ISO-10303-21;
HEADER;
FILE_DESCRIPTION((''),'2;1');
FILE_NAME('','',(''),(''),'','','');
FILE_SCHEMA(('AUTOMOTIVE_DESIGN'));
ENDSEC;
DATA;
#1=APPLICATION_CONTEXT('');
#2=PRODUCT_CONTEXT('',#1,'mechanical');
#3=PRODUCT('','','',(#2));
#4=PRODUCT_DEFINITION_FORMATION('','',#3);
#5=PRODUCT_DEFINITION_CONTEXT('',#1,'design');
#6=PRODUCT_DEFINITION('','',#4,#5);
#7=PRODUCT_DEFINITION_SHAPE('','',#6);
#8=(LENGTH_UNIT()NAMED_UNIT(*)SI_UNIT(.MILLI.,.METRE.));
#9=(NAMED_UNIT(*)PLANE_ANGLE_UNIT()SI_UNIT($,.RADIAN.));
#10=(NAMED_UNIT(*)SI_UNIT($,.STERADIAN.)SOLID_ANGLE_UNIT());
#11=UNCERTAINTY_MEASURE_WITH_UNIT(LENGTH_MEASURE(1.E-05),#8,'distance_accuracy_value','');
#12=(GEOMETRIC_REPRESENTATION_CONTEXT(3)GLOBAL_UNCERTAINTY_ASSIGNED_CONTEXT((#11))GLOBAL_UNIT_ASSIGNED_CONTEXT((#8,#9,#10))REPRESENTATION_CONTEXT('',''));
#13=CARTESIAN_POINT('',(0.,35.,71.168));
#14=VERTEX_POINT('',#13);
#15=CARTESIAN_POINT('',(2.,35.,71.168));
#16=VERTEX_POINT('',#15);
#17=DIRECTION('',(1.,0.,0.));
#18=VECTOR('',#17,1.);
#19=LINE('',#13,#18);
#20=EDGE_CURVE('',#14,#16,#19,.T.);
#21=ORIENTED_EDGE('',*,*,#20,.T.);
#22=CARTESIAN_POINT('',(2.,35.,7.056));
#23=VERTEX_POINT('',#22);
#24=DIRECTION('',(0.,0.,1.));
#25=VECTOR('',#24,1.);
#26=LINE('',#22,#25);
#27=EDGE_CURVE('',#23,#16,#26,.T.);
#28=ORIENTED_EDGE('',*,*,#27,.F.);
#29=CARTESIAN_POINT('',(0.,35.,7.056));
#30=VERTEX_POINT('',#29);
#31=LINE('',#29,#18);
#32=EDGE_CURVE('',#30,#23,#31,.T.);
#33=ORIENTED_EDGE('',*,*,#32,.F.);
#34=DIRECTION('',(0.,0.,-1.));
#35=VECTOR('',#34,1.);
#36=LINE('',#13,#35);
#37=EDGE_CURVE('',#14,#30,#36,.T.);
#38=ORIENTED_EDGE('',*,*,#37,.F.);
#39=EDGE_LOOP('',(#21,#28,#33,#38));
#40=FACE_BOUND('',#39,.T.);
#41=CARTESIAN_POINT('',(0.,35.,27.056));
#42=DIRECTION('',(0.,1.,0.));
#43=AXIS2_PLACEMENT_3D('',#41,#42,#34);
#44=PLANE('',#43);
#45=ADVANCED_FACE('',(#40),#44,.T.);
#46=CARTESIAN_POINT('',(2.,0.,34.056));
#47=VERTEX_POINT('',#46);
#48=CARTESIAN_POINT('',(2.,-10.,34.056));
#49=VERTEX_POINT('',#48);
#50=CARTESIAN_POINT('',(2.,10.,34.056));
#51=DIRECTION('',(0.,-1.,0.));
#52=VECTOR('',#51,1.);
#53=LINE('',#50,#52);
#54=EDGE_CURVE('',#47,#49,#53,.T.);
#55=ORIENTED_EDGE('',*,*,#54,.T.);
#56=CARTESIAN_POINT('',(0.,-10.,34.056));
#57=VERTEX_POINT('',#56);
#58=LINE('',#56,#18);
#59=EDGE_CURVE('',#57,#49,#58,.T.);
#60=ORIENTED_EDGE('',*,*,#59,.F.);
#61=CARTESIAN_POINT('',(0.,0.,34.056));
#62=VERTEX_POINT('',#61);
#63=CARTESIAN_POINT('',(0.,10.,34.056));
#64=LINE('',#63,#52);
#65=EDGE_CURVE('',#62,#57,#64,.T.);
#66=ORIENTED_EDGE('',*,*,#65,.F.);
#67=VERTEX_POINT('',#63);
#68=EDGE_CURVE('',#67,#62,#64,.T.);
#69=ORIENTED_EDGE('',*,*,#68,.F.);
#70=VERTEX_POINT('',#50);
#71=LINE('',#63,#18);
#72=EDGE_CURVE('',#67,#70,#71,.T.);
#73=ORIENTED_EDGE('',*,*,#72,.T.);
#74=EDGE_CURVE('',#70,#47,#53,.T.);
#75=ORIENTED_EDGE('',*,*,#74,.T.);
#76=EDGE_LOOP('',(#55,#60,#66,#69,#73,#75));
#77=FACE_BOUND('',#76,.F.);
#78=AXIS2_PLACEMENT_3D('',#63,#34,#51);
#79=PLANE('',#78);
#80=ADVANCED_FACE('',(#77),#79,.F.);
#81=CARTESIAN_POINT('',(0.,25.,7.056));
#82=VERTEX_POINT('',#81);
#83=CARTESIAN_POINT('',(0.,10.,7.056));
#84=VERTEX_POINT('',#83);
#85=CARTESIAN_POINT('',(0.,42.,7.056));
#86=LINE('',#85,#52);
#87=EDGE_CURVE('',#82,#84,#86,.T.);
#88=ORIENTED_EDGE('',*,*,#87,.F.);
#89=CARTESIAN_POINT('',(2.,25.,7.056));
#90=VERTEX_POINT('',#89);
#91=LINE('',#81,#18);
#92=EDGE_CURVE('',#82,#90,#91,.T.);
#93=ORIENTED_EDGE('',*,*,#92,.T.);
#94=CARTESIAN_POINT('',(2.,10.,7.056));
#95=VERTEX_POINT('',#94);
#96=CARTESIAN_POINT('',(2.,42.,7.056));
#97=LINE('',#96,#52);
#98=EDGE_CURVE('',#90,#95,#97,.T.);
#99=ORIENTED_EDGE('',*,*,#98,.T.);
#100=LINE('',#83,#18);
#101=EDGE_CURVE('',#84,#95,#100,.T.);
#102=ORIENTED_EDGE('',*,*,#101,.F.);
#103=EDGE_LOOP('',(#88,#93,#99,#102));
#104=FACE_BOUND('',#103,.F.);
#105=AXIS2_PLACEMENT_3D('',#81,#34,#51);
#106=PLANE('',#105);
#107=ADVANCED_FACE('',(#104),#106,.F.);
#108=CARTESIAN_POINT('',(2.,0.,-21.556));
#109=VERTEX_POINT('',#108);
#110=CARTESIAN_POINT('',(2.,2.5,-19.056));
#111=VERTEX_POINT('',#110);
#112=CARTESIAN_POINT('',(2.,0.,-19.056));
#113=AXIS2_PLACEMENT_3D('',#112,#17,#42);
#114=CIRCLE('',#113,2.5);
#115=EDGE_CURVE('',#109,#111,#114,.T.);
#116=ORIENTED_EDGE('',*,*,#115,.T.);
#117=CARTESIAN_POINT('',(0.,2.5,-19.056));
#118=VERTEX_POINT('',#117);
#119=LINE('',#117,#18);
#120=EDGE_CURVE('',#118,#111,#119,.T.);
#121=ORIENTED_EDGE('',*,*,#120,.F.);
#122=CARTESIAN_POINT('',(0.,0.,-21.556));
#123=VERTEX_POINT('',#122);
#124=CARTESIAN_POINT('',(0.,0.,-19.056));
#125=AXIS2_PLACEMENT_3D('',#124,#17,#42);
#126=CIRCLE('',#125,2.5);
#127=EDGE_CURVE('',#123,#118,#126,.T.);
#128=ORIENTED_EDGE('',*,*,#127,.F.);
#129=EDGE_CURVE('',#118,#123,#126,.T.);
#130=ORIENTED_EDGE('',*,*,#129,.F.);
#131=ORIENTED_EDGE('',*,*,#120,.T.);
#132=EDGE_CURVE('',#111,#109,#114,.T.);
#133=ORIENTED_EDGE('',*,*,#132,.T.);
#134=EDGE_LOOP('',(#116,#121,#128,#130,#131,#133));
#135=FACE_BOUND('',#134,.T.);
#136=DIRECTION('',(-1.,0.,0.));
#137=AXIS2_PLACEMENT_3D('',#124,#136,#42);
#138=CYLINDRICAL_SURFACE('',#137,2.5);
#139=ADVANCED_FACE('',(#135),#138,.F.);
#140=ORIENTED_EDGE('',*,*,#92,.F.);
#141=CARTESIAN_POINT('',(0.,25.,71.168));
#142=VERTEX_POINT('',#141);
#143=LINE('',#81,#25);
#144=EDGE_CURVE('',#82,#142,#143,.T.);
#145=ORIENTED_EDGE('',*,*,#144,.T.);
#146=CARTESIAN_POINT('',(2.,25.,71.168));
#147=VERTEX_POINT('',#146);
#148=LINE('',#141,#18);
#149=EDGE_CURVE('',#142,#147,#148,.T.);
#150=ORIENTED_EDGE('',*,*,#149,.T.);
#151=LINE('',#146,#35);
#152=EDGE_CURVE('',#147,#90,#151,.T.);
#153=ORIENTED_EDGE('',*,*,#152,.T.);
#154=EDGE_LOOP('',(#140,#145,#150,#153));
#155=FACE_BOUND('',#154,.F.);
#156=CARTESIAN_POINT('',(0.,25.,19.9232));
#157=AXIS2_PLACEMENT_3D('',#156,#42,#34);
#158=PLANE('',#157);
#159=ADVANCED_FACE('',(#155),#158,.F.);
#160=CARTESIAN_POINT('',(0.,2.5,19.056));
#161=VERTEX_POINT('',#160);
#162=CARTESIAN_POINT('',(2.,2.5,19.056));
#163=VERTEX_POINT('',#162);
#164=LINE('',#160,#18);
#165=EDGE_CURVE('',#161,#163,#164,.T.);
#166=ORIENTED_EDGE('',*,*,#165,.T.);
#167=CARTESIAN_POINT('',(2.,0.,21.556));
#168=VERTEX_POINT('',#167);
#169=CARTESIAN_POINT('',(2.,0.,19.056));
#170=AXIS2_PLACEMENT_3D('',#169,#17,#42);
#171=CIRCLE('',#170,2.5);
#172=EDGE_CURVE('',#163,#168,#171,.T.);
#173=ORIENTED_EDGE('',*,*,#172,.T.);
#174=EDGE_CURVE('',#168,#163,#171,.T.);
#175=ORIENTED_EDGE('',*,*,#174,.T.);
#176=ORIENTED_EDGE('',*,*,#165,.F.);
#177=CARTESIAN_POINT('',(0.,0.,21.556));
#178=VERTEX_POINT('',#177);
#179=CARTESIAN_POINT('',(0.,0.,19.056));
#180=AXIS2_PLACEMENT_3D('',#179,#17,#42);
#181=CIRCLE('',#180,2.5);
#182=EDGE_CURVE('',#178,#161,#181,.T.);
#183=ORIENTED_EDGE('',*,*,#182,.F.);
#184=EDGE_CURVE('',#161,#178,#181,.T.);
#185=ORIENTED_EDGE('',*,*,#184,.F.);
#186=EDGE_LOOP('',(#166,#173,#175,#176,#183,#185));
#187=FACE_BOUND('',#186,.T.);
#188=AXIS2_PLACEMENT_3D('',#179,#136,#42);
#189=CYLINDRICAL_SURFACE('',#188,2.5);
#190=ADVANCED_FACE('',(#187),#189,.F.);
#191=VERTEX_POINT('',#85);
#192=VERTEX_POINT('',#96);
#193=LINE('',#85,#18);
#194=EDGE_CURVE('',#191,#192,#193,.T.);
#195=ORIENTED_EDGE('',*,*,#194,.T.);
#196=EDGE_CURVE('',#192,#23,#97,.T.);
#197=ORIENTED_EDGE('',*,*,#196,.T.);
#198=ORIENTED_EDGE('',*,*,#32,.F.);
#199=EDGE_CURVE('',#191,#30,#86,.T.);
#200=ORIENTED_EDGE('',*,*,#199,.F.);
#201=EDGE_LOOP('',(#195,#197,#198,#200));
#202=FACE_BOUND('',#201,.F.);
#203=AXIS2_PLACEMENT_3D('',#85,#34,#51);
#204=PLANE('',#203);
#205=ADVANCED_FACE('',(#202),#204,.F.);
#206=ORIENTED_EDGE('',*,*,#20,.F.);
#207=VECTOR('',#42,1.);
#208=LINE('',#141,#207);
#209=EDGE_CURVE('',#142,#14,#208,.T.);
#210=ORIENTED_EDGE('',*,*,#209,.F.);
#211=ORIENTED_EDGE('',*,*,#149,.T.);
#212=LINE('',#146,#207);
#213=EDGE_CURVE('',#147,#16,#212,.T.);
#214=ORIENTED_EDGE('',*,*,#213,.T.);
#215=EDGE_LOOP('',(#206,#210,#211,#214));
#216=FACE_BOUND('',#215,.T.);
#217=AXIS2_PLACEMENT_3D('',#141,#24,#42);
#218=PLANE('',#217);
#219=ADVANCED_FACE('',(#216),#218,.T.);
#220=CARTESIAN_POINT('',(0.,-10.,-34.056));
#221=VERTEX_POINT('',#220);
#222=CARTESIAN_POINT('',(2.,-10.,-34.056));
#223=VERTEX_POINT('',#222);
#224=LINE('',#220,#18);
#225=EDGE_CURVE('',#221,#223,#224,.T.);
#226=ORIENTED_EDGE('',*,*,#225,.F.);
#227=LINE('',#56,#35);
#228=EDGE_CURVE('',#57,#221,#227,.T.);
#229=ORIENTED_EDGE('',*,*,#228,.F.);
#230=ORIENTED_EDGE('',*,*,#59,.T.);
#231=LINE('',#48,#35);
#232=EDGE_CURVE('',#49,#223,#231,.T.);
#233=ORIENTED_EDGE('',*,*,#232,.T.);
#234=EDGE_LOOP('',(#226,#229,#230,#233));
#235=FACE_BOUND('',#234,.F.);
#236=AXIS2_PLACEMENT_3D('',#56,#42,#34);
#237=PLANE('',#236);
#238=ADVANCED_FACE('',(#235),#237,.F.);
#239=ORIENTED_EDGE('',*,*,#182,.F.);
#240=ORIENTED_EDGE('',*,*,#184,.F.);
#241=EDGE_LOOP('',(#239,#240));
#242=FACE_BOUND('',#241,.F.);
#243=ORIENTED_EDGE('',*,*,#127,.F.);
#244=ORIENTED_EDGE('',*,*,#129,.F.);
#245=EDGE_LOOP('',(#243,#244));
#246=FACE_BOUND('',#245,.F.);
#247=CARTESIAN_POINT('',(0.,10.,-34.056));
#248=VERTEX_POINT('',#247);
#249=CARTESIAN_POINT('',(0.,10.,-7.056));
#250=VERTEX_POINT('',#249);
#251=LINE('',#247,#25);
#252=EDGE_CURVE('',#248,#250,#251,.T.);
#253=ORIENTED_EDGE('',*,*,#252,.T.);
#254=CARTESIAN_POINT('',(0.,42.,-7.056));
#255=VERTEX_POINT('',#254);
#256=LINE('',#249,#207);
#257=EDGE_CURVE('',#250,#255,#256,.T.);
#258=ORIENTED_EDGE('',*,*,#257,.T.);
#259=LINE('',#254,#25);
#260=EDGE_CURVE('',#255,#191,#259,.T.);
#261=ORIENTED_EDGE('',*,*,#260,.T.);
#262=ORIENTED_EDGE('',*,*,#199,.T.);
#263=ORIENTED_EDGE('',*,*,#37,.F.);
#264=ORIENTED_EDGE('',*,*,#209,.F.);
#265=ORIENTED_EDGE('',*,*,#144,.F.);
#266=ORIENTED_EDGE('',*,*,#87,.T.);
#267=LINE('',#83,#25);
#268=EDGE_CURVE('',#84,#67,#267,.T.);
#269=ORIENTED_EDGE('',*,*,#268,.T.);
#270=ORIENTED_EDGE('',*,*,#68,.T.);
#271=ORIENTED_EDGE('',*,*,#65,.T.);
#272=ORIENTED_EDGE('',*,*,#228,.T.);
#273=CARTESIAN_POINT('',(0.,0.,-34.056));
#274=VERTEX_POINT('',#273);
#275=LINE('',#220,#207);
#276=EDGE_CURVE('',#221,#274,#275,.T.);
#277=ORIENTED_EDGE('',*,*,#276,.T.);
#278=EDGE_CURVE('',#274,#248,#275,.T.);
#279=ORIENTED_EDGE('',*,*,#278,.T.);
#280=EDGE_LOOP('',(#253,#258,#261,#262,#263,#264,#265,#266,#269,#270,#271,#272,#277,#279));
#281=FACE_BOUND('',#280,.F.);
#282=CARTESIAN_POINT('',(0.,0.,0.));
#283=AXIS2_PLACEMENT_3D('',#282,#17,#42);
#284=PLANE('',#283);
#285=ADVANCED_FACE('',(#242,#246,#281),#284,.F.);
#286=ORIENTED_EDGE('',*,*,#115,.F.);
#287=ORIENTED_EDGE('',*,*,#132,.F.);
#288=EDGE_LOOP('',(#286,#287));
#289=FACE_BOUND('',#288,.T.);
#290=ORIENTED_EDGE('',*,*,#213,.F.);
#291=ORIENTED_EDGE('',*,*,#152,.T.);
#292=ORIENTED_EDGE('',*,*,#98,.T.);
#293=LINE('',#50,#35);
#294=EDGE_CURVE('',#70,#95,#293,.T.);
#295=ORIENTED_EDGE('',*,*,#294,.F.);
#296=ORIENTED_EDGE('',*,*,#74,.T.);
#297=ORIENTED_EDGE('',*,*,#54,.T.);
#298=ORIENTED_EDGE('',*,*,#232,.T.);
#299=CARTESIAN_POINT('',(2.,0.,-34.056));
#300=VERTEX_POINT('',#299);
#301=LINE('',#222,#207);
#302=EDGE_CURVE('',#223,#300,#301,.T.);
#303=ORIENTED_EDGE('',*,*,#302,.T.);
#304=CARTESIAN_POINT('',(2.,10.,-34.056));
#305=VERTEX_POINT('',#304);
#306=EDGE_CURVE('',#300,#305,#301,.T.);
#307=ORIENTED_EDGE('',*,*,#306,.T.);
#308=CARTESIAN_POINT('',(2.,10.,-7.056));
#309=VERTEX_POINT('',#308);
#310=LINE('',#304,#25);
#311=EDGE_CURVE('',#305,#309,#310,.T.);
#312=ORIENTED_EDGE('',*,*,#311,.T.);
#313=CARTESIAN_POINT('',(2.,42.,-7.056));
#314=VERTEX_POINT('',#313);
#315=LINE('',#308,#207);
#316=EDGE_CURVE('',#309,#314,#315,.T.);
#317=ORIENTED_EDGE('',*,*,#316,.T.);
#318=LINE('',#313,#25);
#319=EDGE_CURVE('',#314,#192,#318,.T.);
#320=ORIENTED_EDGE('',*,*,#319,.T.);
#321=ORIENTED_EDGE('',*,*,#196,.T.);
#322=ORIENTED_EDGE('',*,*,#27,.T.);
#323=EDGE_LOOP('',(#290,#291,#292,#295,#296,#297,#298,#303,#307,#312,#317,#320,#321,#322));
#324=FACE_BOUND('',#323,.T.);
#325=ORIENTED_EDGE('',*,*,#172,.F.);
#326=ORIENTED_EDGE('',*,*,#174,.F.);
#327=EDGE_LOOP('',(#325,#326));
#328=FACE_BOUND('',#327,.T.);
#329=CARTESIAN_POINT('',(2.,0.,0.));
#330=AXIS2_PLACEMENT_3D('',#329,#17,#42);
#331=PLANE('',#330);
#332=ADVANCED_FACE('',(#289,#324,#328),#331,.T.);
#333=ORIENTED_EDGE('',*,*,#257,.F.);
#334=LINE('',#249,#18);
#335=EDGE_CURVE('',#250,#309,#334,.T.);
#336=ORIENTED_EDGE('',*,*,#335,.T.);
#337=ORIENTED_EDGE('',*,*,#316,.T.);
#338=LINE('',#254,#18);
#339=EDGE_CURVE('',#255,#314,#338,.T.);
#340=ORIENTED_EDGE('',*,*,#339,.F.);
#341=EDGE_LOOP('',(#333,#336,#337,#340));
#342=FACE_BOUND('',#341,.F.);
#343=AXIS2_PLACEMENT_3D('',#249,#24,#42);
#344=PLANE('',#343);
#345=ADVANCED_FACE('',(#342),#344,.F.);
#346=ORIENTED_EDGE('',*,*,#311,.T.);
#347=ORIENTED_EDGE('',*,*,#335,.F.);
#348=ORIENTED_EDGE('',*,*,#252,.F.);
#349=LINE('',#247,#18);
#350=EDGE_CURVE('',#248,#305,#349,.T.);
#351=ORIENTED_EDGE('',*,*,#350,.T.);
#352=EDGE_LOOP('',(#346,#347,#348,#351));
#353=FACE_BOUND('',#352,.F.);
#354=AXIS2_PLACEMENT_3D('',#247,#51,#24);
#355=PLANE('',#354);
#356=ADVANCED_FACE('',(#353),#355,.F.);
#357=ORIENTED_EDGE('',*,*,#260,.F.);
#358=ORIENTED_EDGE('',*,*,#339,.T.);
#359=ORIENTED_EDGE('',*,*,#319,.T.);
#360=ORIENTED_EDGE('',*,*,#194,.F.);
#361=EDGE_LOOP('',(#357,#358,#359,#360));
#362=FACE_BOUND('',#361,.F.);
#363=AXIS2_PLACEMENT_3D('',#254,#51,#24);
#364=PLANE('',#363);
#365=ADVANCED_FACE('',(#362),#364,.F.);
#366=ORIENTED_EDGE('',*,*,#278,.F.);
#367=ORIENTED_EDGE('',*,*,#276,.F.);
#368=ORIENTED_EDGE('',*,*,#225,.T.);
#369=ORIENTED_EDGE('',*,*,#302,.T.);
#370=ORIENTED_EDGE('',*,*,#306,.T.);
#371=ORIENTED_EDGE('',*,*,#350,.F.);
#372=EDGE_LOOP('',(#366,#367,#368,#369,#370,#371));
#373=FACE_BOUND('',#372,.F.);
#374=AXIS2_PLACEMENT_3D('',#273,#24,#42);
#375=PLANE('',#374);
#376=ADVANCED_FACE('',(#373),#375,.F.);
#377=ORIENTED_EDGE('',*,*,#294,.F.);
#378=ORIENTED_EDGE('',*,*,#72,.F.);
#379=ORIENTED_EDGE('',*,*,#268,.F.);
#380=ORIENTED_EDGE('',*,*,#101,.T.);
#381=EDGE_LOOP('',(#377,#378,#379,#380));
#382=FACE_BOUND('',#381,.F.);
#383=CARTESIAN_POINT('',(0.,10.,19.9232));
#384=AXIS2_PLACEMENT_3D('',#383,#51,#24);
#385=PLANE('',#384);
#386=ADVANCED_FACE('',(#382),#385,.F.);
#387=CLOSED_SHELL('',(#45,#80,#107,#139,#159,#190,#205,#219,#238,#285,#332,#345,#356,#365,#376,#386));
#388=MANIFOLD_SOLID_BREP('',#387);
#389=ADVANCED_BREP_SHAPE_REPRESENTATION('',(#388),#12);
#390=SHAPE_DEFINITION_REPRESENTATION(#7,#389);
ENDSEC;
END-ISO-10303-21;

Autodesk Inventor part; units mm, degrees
ref_plane "YZ Plane" through (0, 0, 0) normal (1, 0, 0) x (0, 1, 0)
ref_plane "XZ Plane" through (0, 0, 0) normal (0, 1, 0) x (-1, 0, 0)
ref_plane "XY Plane" through (0, 0, 0) normal (0, 0, 1) x (1, 0, 0)
sketch "Sketch1" plane through (0, 0, 0) normal (1, 0, 0) x (0, 1, 0)
  line L0 (10, 34.056) -> (-10, 34.056)
  line L1 (-10, 34.056) -> (-10, -34.056)
  line L2 (-10, -34.056) -> (10, -34.056)
  line L3 (10, -34.056) -> (10, 34.056)
  line L4 (10, 34.056) -> (-10, -34.056) construction
  line L5 (-10, 34.056) -> (10, -34.056) construction
  line L6 (10, 0) -> (10, -7.056)
  line L7 (10, -7.056) -> (42, -7.056)
  line L8 (42, -7.056) -> (42, 7.056)
  line L9 (42, 7.056) -> (10, 7.056)
  line L10 (10, 7.056) -> (10, -7.056)
  line L11 (0, 34.056) -> (0, 19.056)
  line L12 (0, -34.056) -> (0, -19.056)
  circle A0 centre (0, 19.056) radius 2.5
  circle A1 centre (0, -19.056) radius 2.5
  line L13 (10, 7.056) -> (10, 34.056)
  line L14 (10, 7.056) -> (10, 19.9232)
  line L15 (10, 19.9232) -> (25, 19.9232)
  line L16 (25, 19.9232) -> (25, 7.056)
  line L17 (25, 7.056) -> (10, 7.056)
  line L18 (25, 7.056) -> (25, 71.168)
  line L19 (25, 71.168) -> (35, 71.168)
  line L20 (35, 71.168) -> (35, 7.056)
  line L21 (35, 7.056) -> (25, 7.056)
  line L22 (35, 7.056) -> (35, 27.056)
  line L23 (35, 27.056) -> (25, 27.056)
  line L24 (35, 71.168) -> (35, 57.168)
  line L25 (35, 57.168) -> (25, 57.168)
  point P0 (0, 0)
  point P1 (0, 0)
  dimension "d0" = 20
  dimension "d1" = 68.112
  dimension "d2" = 7.056
  dimension "d3" = 32
  dimension "d4" = 14.112
  dimension "d5" = 15
  dimension "d6" = 15
  dimension "d7" = 5
  dimension "d8" = 5
  dimension "d9" = 15
  dimension "d10" = 64.112
  dimension "d11" = 10
  dimension "d12" = 20
  dimension "d13" = 14
extrude "Extrusion1" add sketch "Sketch1" along normal blind 2 contours L3 L2 L1 L0 | L9 L8 L7 L3 | L18 L23 L20 L9 L16 | L18 L25 L20 L23 | L18 L19 L20 L25
properties part number "manual_locker_raw"
